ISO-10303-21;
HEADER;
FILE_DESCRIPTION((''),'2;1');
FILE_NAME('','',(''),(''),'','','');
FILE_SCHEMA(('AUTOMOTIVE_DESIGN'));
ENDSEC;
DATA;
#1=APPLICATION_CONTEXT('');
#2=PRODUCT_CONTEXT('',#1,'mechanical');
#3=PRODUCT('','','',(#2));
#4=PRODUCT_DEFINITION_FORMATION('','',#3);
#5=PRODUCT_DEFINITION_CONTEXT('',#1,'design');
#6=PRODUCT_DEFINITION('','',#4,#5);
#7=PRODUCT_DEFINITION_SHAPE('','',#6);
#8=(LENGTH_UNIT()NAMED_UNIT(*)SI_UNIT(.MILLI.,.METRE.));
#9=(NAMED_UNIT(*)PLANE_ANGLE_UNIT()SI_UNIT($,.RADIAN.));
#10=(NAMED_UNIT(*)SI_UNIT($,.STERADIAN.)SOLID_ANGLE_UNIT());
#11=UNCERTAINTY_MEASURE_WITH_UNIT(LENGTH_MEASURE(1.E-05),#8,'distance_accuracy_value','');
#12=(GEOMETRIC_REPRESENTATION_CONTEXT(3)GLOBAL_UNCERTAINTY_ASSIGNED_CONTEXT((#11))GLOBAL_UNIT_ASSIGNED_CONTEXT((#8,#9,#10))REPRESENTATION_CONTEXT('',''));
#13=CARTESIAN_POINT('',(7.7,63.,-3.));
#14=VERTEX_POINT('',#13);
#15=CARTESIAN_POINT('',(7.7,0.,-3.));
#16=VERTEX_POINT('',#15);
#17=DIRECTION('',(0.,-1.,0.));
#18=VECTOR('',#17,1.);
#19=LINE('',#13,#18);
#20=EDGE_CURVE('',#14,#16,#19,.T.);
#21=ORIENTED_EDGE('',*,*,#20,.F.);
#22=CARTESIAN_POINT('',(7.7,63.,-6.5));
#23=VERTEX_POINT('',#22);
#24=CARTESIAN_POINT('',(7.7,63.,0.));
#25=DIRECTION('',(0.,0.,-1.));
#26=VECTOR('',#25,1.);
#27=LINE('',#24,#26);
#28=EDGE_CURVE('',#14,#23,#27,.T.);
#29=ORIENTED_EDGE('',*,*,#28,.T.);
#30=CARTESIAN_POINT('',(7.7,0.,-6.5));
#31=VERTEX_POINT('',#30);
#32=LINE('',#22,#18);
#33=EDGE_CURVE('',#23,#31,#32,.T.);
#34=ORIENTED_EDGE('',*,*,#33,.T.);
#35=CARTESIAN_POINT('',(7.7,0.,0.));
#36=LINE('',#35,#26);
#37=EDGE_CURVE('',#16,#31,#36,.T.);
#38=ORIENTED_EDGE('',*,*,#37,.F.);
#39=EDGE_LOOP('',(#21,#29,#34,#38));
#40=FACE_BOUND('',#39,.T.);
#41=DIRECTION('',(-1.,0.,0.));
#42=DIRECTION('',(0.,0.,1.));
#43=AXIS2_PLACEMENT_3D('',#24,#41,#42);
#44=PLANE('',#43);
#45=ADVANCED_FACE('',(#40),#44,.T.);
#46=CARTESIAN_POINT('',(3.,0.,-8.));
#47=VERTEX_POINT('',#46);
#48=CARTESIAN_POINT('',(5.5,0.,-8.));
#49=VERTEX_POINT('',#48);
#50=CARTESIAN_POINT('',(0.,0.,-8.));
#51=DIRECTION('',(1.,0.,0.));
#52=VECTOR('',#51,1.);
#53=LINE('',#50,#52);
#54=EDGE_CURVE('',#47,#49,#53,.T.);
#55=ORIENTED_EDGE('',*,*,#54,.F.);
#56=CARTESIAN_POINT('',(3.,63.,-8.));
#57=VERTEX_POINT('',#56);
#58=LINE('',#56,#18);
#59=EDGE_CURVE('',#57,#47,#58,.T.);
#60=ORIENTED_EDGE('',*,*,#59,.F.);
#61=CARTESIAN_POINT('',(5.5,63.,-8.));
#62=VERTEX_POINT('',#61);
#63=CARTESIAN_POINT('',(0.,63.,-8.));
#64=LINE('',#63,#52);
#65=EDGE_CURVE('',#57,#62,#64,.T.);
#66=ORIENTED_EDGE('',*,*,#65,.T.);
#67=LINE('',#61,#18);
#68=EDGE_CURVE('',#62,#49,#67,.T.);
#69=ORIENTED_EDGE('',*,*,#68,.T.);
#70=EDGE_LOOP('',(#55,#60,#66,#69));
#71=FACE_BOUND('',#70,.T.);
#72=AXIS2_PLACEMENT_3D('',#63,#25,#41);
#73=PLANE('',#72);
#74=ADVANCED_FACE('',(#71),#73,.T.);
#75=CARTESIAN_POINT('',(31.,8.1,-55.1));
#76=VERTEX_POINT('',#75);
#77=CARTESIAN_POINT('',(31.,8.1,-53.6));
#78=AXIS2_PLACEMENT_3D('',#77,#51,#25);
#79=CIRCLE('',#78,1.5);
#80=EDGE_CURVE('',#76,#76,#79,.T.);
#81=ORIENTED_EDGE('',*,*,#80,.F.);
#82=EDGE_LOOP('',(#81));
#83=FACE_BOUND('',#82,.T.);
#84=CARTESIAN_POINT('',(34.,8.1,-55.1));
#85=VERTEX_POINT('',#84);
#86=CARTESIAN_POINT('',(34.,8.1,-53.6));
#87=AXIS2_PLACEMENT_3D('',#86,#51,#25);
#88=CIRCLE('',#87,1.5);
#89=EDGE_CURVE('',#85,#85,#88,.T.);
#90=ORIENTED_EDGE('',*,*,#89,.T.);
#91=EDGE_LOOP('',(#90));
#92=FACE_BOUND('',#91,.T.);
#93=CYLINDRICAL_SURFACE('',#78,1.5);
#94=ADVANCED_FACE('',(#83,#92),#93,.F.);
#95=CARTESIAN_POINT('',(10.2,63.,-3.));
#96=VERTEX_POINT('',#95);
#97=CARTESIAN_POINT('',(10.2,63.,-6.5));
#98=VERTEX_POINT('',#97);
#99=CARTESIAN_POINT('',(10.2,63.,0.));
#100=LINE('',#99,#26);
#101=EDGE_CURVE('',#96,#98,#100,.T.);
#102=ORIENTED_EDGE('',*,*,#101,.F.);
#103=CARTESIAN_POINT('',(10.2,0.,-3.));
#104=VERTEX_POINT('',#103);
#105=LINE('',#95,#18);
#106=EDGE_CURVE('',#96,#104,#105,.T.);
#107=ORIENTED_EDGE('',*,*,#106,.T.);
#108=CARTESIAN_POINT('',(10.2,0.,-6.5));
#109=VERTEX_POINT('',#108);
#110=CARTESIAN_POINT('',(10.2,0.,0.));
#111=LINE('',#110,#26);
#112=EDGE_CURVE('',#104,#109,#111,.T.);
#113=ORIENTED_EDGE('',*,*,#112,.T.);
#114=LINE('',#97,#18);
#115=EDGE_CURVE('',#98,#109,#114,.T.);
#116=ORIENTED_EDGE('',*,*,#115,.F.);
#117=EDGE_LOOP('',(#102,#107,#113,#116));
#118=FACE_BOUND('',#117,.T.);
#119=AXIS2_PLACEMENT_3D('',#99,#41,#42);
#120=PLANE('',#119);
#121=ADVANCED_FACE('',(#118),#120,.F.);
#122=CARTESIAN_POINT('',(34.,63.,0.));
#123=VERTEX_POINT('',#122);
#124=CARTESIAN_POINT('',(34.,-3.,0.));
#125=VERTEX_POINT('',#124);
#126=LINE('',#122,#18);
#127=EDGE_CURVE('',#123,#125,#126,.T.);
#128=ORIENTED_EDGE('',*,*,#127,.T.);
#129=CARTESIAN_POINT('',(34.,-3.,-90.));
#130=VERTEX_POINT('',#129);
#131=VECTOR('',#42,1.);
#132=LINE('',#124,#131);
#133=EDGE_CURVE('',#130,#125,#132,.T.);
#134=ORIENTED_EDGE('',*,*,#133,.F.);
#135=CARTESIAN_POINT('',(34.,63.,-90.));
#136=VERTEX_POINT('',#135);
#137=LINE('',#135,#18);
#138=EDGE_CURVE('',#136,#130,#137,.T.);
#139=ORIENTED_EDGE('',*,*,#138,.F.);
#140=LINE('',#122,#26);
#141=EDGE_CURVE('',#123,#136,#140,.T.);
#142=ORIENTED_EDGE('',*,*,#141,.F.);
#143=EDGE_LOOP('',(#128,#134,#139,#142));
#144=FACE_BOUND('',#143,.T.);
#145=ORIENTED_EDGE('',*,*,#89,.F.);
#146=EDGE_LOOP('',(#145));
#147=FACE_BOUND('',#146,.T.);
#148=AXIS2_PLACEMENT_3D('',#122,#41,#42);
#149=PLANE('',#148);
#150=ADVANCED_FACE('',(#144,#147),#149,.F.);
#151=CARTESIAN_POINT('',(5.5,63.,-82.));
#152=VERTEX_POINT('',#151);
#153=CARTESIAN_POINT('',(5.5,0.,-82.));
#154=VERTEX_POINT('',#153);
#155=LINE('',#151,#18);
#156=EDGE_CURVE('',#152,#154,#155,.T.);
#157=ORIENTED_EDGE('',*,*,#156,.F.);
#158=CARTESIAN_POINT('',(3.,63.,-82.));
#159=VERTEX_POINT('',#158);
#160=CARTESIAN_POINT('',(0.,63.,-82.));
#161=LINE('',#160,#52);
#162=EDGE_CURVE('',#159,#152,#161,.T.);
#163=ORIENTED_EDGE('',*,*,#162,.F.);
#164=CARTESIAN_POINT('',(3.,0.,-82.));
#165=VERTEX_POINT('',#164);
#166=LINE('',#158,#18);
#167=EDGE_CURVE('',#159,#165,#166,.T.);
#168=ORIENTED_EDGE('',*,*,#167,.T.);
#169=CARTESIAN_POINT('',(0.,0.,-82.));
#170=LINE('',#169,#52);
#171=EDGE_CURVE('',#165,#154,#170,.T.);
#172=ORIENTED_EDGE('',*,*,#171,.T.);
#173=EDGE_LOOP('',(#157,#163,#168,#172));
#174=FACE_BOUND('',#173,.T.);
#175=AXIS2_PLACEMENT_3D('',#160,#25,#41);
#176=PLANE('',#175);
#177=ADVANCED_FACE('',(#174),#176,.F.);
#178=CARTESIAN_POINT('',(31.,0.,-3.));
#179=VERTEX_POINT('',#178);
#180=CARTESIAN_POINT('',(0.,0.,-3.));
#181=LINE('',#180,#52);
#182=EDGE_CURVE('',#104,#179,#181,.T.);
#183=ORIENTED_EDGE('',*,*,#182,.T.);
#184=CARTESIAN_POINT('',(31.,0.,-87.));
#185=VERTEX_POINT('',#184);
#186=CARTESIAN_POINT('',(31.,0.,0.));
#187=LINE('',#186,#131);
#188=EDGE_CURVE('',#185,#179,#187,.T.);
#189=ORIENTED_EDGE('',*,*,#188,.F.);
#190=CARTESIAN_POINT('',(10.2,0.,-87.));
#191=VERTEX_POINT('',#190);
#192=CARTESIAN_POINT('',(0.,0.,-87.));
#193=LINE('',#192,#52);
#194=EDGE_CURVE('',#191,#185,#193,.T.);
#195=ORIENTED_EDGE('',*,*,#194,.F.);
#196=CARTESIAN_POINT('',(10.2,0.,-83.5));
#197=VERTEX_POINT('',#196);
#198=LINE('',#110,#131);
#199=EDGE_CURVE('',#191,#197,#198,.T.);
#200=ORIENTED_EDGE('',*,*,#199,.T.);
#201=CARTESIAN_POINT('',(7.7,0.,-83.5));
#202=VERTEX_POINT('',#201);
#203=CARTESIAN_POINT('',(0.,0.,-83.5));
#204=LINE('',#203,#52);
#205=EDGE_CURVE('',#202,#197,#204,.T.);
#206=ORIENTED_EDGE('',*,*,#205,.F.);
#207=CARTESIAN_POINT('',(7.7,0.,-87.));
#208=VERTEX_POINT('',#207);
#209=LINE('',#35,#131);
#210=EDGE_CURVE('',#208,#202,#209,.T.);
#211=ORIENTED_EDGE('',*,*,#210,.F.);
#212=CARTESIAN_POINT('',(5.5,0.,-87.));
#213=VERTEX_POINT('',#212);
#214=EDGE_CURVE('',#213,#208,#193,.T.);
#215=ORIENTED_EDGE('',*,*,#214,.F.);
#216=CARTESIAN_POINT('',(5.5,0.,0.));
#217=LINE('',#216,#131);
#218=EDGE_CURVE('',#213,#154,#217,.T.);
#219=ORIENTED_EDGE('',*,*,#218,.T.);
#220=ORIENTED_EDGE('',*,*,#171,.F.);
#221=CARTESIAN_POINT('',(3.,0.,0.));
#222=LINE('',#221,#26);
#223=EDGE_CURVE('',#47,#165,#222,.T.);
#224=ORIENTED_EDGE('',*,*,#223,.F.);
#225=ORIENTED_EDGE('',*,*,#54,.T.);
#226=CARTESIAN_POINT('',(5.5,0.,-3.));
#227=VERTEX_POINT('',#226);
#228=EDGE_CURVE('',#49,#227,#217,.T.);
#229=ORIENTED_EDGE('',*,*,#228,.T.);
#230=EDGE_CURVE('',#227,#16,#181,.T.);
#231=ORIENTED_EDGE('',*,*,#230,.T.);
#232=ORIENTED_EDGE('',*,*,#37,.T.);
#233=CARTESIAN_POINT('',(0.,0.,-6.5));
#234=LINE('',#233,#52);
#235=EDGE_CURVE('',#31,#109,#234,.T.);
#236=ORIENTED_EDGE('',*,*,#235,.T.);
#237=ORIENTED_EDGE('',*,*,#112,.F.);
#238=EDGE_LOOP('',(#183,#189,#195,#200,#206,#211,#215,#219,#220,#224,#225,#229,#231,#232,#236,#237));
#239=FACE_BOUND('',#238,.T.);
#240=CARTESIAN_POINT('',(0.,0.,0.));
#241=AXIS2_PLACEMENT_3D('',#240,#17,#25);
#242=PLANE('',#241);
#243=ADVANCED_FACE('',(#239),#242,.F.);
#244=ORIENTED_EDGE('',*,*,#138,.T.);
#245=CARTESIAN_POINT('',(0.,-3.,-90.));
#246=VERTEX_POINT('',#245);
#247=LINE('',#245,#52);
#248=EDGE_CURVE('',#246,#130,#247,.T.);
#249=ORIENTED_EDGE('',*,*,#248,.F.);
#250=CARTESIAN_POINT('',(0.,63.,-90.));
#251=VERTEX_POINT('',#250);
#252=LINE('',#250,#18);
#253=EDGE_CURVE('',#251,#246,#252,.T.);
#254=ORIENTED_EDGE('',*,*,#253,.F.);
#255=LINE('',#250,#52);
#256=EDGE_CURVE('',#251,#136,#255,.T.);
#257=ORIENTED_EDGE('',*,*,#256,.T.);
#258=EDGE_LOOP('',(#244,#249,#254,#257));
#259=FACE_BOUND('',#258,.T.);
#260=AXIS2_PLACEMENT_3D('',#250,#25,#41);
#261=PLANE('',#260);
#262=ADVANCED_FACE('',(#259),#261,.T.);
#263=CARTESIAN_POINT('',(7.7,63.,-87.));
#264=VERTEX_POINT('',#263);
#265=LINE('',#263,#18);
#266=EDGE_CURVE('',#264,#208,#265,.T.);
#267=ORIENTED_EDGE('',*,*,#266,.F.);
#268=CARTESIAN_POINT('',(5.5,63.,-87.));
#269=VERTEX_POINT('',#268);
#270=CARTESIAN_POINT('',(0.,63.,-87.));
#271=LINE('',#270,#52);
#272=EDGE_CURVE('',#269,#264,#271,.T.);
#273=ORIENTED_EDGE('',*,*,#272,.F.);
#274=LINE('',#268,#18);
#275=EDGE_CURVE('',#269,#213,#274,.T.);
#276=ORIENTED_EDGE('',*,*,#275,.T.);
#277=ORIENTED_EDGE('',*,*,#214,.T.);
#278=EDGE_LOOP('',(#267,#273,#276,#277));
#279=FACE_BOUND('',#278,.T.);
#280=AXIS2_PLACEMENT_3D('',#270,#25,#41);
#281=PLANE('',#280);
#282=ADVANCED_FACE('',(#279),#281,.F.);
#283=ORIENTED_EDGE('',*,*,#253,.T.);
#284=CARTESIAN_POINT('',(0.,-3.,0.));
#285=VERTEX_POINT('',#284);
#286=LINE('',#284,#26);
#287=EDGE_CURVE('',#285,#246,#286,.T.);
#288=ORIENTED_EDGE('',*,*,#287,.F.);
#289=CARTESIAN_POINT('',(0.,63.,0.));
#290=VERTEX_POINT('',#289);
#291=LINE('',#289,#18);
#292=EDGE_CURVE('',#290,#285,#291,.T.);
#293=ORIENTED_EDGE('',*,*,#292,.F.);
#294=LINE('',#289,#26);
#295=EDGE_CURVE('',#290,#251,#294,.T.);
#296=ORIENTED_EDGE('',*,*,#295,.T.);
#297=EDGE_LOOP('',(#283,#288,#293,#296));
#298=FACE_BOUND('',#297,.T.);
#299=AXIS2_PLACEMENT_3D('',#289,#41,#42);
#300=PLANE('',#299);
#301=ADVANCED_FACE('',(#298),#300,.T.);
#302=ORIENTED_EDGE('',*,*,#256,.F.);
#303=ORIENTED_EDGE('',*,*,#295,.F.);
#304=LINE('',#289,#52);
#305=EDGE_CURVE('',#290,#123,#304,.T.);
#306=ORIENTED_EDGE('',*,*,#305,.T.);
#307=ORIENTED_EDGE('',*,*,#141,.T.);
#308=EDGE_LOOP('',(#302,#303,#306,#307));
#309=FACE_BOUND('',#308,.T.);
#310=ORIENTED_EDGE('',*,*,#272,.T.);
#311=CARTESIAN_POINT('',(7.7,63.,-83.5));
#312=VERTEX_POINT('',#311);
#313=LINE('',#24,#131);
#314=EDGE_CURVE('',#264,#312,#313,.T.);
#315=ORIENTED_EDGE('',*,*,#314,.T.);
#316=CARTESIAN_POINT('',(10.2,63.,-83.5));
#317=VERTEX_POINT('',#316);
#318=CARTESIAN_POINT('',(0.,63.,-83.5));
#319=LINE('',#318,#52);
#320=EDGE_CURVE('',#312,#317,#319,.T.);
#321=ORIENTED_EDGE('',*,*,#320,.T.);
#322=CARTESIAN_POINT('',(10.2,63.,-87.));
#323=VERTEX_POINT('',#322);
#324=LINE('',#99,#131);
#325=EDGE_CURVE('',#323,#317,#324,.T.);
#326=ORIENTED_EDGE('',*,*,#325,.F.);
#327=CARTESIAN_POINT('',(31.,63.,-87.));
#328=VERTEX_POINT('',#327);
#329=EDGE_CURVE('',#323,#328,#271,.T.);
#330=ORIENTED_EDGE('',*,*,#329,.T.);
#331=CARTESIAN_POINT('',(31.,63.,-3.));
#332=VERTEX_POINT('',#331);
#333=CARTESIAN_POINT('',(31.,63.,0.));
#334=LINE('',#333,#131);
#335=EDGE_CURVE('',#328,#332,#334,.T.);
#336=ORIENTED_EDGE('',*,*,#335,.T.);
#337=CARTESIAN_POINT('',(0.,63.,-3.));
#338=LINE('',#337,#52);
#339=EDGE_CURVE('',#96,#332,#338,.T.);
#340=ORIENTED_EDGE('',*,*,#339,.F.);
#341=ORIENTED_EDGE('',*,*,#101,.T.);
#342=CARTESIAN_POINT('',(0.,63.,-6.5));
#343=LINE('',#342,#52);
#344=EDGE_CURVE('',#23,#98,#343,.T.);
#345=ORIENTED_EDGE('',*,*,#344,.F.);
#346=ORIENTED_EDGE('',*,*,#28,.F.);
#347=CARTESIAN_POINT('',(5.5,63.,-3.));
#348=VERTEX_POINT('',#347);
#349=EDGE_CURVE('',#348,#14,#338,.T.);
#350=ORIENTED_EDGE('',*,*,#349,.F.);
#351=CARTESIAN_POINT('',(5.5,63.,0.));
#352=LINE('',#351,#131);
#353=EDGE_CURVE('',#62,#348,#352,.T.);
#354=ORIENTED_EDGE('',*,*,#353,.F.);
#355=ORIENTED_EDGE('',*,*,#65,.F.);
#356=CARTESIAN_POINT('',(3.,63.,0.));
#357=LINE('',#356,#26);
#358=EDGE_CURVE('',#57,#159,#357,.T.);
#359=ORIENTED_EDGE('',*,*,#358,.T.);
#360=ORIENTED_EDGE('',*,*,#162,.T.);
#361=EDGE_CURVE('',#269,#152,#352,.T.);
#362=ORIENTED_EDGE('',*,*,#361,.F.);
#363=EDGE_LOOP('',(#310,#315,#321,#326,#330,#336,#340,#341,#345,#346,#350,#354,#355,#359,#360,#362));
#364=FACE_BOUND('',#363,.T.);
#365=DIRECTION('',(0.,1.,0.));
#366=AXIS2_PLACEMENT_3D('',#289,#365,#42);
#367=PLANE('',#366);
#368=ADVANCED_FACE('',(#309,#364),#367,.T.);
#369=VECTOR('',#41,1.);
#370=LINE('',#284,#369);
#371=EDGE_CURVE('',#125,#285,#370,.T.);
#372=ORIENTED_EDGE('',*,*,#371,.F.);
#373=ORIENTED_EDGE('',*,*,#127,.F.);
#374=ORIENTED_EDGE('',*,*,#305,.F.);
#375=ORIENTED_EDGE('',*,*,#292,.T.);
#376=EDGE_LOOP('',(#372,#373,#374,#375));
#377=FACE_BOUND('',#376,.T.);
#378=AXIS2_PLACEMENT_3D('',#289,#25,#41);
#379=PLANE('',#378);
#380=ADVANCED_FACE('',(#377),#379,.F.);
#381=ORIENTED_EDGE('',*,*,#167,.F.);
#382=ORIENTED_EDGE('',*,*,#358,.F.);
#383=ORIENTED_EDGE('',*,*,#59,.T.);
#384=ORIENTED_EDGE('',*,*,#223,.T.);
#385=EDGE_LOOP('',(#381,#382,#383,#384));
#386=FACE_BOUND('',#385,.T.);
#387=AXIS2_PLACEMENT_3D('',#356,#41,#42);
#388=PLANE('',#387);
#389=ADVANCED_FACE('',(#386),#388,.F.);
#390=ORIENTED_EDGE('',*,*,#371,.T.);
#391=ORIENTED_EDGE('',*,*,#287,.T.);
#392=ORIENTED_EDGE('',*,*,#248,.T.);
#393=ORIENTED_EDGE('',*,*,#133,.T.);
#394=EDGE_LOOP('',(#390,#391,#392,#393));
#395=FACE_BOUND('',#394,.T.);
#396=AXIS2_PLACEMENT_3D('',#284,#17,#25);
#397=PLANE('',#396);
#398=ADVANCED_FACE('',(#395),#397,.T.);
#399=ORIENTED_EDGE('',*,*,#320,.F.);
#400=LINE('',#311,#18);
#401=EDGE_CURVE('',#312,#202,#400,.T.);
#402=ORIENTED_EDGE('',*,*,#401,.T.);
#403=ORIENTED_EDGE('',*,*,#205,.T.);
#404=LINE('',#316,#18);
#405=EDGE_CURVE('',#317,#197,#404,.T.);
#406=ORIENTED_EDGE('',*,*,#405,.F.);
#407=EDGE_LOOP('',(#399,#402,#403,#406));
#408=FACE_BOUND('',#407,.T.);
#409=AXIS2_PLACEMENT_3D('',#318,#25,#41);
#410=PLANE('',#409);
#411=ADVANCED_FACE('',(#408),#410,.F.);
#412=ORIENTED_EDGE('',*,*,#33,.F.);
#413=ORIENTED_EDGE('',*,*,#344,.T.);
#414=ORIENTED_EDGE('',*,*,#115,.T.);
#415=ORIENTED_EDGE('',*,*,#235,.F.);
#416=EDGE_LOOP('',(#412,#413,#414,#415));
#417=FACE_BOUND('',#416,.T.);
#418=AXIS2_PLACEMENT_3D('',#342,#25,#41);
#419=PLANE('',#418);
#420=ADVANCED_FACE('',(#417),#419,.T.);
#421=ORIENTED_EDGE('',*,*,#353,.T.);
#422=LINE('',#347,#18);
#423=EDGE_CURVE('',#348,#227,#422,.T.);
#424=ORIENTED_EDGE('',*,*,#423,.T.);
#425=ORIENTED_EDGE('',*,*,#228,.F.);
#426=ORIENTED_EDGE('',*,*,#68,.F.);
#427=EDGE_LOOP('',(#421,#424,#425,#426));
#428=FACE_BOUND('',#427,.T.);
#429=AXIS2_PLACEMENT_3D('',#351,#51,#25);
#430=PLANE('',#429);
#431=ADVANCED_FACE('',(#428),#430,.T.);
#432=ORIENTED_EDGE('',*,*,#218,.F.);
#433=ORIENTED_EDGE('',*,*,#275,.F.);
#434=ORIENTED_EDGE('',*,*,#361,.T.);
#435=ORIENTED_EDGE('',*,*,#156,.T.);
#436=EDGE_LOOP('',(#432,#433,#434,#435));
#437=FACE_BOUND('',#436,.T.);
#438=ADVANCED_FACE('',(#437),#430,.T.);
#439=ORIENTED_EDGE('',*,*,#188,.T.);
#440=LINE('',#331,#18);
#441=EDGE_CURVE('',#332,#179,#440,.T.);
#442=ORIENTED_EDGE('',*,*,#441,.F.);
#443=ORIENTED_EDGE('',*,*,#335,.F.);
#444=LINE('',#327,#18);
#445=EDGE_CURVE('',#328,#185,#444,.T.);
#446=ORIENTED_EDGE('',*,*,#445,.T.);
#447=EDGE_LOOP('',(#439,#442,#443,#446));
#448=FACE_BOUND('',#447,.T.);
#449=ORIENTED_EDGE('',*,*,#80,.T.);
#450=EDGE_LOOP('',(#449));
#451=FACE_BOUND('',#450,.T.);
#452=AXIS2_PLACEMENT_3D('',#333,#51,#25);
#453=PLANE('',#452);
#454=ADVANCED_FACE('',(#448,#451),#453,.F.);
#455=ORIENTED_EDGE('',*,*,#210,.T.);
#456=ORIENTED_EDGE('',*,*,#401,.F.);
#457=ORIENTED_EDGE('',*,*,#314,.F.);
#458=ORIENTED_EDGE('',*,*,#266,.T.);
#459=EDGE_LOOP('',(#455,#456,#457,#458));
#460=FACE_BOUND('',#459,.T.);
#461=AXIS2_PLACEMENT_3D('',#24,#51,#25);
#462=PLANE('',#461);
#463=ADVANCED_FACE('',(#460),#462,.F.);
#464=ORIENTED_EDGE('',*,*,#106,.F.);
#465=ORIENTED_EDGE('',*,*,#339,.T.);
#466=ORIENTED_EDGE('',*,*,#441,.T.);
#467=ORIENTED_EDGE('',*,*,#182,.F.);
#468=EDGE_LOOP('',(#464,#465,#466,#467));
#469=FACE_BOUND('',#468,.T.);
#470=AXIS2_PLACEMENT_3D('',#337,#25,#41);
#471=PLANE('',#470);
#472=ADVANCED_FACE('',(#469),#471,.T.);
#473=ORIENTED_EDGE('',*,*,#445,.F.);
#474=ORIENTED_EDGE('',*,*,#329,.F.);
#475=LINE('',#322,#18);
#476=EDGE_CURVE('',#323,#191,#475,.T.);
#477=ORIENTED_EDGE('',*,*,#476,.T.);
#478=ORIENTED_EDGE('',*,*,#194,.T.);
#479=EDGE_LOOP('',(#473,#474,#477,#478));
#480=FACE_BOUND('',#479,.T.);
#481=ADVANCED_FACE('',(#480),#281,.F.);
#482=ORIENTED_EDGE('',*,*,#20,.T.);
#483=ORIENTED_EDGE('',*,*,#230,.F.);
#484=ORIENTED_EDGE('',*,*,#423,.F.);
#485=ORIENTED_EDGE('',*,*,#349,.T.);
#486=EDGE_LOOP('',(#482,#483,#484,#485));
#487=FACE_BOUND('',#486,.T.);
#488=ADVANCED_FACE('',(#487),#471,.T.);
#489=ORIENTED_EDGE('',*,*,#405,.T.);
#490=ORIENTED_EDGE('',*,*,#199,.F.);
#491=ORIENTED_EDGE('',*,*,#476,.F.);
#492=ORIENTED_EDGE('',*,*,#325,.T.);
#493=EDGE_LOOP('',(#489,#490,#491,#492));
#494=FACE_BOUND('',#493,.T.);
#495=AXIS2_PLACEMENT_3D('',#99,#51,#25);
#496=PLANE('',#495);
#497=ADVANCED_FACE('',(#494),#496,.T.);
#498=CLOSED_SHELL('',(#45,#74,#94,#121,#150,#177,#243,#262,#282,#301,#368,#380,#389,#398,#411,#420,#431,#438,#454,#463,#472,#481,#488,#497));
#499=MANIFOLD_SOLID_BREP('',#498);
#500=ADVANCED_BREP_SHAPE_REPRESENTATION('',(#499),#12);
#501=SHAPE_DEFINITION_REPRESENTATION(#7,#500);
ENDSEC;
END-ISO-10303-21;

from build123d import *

# Parameters (mm, degrees)
ESBO_O1_W                = 34
ESBO_O1_H                = 90
RESSALTO_EXTRUS_O1_DEPTH = 63
ESBO_O2_W                = 34
ESBO_O2_H                = 90
RESSALTO_EXTRUS_O2_DEPTH = 3
ESBO_O3_R                = 1.5
CORTE_EXTRUS_O1_DEPTH    = 3


with BuildPart() as part:
    # Esboço1 → Ressalto-extrusão1 (new body)
    with BuildSketch(Plane(origin=(0, 0, 0), x_dir=(1, 0, 0), z_dir=(0, 1, 0))):
        with Locations((17, 45)):
            Rectangle(ESBO_O1_W, ESBO_O1_H)
        Polygon((5.5, 8), (3, 8), (3, 82), (5.5, 82), (5.5, 87), (7.7, 87), (7.7, 83.5), (10.2, 83.5), (10.2, 87), (31, 87), (31, 3), (10.2, 3), (10.2, 6.5), (7.7, 6.5), (7.7, 3), (5.5, 3), align=None, mode=Mode.SUBTRACT)
    extrude(amount=RESSALTO_EXTRUS_O1_DEPTH)

    # Esboço2 → Ressalto-extrusão2 (add)
    with BuildSketch(Plane.XZ):
        with Locations((17, -45)):
            Rectangle(ESBO_O2_W, ESBO_O2_H)
    extrude(amount=RESSALTO_EXTRUS_O2_DEPTH)

    # Esboço3 → Corte-extrusão1 (cut)
    with BuildSketch(Plane(origin=(34, 0, 0), x_dir=(0, 0, -1), z_dir=(1, 0, 0))):
        with Locations((53.6, 8.1)):
            Circle(ESBO_O3_R)
    extrude(amount=-CORTE_EXTRUS_O1_DEPTH, mode=Mode.SUBTRACT)


solid = part.part
